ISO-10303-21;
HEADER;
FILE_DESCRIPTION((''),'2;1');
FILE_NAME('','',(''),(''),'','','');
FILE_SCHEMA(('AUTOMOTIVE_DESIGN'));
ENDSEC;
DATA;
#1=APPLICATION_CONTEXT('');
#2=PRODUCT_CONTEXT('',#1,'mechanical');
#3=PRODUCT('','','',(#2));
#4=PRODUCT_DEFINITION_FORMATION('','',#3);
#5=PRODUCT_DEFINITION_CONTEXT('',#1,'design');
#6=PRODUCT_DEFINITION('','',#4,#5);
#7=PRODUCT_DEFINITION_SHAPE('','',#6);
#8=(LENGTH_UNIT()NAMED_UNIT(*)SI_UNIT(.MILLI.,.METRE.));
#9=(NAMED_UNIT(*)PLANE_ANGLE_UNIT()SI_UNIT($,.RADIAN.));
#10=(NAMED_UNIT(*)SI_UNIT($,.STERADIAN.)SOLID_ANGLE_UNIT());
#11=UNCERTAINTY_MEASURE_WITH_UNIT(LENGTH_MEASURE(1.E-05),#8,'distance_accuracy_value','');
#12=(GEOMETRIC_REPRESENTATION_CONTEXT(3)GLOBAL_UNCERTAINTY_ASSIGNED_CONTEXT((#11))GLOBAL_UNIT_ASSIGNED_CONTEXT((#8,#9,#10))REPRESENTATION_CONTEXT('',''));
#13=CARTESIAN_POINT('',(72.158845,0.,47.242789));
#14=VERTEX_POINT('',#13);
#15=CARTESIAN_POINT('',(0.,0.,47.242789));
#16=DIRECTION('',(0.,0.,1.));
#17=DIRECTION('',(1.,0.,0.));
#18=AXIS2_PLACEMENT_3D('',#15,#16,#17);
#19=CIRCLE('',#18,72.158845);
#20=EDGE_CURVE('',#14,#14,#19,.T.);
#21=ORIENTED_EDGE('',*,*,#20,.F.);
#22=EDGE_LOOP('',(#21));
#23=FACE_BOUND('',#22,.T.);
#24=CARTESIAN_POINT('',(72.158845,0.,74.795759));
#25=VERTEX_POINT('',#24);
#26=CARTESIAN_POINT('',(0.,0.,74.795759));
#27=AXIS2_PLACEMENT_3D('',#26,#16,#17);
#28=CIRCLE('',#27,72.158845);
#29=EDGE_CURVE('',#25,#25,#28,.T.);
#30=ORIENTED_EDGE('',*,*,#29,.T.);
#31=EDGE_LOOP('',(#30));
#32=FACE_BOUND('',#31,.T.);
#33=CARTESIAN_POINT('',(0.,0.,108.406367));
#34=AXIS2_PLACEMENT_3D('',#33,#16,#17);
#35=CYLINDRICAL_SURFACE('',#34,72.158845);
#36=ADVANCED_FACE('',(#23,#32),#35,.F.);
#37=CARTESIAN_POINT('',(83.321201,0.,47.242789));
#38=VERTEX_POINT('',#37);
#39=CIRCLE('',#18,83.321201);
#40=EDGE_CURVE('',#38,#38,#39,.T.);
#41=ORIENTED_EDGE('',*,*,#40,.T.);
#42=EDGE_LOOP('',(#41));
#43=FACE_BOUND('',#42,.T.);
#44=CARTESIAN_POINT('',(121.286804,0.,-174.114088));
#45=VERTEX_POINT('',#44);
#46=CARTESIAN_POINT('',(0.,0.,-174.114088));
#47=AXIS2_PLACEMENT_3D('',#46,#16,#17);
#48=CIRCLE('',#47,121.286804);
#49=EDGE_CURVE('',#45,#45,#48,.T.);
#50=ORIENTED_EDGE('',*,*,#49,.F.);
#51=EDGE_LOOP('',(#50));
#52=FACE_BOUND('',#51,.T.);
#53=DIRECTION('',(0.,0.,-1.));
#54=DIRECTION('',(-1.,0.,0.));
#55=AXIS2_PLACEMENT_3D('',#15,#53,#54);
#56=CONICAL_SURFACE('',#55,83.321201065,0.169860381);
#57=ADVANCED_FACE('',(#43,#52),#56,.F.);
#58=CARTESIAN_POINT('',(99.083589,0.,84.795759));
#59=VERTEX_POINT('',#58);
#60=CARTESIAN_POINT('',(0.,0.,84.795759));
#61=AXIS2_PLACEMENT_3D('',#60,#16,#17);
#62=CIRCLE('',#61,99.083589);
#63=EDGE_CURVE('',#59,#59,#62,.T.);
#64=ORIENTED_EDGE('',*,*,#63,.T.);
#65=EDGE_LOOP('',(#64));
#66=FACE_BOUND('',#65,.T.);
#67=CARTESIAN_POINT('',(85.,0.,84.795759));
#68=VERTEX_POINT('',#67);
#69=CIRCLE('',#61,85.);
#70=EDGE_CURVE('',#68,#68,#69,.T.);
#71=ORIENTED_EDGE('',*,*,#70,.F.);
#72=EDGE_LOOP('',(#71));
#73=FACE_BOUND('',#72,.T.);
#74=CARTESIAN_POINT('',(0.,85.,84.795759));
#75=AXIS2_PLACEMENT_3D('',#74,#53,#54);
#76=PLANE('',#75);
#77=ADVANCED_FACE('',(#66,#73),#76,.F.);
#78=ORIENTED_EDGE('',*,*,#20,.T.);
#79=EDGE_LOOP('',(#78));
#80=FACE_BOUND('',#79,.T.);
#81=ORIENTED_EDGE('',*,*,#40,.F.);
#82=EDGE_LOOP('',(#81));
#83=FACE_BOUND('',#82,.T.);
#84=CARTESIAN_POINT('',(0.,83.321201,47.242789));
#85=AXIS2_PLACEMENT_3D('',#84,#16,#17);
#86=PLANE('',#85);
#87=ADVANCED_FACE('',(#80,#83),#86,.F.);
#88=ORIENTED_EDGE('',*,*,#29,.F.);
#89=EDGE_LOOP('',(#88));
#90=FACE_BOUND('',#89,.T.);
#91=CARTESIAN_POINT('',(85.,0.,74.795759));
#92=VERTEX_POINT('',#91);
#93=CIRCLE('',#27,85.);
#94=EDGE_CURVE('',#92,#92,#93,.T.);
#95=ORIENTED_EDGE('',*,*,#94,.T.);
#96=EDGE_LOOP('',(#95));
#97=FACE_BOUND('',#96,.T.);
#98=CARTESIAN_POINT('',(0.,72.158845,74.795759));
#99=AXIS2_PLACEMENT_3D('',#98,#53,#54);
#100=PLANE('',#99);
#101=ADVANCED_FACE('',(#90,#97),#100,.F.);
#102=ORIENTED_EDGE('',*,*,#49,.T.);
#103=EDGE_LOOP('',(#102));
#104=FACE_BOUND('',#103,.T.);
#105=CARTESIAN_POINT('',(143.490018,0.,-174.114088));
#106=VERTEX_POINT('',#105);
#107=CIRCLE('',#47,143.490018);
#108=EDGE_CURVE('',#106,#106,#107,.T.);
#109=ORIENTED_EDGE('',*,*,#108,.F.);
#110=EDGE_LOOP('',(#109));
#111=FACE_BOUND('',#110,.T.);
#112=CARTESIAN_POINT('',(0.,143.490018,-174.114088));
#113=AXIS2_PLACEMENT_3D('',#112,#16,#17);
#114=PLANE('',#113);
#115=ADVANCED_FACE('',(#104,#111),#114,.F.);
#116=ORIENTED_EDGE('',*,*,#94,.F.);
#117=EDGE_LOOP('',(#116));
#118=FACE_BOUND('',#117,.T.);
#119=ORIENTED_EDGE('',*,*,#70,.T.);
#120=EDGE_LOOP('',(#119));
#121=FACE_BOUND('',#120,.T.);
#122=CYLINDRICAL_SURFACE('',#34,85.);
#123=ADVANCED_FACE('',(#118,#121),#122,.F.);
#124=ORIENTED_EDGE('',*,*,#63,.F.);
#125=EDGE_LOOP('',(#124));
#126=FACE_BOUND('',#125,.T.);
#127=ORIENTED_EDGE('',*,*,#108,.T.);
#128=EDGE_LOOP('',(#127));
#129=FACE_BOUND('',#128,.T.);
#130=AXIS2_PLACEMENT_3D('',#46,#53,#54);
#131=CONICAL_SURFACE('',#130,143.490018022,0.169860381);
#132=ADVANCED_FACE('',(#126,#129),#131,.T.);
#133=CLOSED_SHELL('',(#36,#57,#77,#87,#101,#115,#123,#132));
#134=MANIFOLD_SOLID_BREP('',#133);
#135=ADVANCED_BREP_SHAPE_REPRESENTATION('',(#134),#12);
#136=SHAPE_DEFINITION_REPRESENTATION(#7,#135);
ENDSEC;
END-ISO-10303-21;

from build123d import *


with BuildPart() as part:
    # Sketch1 → Revolve1 (revolve)
    with BuildSketch(Plane(origin=(0, 0, 0), x_dir=(0, 0, -1), z_dir=(1, 0, 0)), mode=Mode.PRIVATE) as revolve1_sk:
        Polygon((-74.79575879, 72.158845464), (-74.79575879, 85), (-84.79575879, 85), (-84.79575879, 99.083589386), (174.114088383, 143.490018022), (174.114088383, 121.286803704), (-47.242788961, 83.321201065), (-47.242788961, 72.158845464), align=None)
    revolve(revolve1_sk.sketch.rotate(Axis((0, 0, 108.406367075), (0, 0, -1)), 90), axis=Axis((0, 0, 108.406367075), (0, 0, -1)))


solid = part.part
